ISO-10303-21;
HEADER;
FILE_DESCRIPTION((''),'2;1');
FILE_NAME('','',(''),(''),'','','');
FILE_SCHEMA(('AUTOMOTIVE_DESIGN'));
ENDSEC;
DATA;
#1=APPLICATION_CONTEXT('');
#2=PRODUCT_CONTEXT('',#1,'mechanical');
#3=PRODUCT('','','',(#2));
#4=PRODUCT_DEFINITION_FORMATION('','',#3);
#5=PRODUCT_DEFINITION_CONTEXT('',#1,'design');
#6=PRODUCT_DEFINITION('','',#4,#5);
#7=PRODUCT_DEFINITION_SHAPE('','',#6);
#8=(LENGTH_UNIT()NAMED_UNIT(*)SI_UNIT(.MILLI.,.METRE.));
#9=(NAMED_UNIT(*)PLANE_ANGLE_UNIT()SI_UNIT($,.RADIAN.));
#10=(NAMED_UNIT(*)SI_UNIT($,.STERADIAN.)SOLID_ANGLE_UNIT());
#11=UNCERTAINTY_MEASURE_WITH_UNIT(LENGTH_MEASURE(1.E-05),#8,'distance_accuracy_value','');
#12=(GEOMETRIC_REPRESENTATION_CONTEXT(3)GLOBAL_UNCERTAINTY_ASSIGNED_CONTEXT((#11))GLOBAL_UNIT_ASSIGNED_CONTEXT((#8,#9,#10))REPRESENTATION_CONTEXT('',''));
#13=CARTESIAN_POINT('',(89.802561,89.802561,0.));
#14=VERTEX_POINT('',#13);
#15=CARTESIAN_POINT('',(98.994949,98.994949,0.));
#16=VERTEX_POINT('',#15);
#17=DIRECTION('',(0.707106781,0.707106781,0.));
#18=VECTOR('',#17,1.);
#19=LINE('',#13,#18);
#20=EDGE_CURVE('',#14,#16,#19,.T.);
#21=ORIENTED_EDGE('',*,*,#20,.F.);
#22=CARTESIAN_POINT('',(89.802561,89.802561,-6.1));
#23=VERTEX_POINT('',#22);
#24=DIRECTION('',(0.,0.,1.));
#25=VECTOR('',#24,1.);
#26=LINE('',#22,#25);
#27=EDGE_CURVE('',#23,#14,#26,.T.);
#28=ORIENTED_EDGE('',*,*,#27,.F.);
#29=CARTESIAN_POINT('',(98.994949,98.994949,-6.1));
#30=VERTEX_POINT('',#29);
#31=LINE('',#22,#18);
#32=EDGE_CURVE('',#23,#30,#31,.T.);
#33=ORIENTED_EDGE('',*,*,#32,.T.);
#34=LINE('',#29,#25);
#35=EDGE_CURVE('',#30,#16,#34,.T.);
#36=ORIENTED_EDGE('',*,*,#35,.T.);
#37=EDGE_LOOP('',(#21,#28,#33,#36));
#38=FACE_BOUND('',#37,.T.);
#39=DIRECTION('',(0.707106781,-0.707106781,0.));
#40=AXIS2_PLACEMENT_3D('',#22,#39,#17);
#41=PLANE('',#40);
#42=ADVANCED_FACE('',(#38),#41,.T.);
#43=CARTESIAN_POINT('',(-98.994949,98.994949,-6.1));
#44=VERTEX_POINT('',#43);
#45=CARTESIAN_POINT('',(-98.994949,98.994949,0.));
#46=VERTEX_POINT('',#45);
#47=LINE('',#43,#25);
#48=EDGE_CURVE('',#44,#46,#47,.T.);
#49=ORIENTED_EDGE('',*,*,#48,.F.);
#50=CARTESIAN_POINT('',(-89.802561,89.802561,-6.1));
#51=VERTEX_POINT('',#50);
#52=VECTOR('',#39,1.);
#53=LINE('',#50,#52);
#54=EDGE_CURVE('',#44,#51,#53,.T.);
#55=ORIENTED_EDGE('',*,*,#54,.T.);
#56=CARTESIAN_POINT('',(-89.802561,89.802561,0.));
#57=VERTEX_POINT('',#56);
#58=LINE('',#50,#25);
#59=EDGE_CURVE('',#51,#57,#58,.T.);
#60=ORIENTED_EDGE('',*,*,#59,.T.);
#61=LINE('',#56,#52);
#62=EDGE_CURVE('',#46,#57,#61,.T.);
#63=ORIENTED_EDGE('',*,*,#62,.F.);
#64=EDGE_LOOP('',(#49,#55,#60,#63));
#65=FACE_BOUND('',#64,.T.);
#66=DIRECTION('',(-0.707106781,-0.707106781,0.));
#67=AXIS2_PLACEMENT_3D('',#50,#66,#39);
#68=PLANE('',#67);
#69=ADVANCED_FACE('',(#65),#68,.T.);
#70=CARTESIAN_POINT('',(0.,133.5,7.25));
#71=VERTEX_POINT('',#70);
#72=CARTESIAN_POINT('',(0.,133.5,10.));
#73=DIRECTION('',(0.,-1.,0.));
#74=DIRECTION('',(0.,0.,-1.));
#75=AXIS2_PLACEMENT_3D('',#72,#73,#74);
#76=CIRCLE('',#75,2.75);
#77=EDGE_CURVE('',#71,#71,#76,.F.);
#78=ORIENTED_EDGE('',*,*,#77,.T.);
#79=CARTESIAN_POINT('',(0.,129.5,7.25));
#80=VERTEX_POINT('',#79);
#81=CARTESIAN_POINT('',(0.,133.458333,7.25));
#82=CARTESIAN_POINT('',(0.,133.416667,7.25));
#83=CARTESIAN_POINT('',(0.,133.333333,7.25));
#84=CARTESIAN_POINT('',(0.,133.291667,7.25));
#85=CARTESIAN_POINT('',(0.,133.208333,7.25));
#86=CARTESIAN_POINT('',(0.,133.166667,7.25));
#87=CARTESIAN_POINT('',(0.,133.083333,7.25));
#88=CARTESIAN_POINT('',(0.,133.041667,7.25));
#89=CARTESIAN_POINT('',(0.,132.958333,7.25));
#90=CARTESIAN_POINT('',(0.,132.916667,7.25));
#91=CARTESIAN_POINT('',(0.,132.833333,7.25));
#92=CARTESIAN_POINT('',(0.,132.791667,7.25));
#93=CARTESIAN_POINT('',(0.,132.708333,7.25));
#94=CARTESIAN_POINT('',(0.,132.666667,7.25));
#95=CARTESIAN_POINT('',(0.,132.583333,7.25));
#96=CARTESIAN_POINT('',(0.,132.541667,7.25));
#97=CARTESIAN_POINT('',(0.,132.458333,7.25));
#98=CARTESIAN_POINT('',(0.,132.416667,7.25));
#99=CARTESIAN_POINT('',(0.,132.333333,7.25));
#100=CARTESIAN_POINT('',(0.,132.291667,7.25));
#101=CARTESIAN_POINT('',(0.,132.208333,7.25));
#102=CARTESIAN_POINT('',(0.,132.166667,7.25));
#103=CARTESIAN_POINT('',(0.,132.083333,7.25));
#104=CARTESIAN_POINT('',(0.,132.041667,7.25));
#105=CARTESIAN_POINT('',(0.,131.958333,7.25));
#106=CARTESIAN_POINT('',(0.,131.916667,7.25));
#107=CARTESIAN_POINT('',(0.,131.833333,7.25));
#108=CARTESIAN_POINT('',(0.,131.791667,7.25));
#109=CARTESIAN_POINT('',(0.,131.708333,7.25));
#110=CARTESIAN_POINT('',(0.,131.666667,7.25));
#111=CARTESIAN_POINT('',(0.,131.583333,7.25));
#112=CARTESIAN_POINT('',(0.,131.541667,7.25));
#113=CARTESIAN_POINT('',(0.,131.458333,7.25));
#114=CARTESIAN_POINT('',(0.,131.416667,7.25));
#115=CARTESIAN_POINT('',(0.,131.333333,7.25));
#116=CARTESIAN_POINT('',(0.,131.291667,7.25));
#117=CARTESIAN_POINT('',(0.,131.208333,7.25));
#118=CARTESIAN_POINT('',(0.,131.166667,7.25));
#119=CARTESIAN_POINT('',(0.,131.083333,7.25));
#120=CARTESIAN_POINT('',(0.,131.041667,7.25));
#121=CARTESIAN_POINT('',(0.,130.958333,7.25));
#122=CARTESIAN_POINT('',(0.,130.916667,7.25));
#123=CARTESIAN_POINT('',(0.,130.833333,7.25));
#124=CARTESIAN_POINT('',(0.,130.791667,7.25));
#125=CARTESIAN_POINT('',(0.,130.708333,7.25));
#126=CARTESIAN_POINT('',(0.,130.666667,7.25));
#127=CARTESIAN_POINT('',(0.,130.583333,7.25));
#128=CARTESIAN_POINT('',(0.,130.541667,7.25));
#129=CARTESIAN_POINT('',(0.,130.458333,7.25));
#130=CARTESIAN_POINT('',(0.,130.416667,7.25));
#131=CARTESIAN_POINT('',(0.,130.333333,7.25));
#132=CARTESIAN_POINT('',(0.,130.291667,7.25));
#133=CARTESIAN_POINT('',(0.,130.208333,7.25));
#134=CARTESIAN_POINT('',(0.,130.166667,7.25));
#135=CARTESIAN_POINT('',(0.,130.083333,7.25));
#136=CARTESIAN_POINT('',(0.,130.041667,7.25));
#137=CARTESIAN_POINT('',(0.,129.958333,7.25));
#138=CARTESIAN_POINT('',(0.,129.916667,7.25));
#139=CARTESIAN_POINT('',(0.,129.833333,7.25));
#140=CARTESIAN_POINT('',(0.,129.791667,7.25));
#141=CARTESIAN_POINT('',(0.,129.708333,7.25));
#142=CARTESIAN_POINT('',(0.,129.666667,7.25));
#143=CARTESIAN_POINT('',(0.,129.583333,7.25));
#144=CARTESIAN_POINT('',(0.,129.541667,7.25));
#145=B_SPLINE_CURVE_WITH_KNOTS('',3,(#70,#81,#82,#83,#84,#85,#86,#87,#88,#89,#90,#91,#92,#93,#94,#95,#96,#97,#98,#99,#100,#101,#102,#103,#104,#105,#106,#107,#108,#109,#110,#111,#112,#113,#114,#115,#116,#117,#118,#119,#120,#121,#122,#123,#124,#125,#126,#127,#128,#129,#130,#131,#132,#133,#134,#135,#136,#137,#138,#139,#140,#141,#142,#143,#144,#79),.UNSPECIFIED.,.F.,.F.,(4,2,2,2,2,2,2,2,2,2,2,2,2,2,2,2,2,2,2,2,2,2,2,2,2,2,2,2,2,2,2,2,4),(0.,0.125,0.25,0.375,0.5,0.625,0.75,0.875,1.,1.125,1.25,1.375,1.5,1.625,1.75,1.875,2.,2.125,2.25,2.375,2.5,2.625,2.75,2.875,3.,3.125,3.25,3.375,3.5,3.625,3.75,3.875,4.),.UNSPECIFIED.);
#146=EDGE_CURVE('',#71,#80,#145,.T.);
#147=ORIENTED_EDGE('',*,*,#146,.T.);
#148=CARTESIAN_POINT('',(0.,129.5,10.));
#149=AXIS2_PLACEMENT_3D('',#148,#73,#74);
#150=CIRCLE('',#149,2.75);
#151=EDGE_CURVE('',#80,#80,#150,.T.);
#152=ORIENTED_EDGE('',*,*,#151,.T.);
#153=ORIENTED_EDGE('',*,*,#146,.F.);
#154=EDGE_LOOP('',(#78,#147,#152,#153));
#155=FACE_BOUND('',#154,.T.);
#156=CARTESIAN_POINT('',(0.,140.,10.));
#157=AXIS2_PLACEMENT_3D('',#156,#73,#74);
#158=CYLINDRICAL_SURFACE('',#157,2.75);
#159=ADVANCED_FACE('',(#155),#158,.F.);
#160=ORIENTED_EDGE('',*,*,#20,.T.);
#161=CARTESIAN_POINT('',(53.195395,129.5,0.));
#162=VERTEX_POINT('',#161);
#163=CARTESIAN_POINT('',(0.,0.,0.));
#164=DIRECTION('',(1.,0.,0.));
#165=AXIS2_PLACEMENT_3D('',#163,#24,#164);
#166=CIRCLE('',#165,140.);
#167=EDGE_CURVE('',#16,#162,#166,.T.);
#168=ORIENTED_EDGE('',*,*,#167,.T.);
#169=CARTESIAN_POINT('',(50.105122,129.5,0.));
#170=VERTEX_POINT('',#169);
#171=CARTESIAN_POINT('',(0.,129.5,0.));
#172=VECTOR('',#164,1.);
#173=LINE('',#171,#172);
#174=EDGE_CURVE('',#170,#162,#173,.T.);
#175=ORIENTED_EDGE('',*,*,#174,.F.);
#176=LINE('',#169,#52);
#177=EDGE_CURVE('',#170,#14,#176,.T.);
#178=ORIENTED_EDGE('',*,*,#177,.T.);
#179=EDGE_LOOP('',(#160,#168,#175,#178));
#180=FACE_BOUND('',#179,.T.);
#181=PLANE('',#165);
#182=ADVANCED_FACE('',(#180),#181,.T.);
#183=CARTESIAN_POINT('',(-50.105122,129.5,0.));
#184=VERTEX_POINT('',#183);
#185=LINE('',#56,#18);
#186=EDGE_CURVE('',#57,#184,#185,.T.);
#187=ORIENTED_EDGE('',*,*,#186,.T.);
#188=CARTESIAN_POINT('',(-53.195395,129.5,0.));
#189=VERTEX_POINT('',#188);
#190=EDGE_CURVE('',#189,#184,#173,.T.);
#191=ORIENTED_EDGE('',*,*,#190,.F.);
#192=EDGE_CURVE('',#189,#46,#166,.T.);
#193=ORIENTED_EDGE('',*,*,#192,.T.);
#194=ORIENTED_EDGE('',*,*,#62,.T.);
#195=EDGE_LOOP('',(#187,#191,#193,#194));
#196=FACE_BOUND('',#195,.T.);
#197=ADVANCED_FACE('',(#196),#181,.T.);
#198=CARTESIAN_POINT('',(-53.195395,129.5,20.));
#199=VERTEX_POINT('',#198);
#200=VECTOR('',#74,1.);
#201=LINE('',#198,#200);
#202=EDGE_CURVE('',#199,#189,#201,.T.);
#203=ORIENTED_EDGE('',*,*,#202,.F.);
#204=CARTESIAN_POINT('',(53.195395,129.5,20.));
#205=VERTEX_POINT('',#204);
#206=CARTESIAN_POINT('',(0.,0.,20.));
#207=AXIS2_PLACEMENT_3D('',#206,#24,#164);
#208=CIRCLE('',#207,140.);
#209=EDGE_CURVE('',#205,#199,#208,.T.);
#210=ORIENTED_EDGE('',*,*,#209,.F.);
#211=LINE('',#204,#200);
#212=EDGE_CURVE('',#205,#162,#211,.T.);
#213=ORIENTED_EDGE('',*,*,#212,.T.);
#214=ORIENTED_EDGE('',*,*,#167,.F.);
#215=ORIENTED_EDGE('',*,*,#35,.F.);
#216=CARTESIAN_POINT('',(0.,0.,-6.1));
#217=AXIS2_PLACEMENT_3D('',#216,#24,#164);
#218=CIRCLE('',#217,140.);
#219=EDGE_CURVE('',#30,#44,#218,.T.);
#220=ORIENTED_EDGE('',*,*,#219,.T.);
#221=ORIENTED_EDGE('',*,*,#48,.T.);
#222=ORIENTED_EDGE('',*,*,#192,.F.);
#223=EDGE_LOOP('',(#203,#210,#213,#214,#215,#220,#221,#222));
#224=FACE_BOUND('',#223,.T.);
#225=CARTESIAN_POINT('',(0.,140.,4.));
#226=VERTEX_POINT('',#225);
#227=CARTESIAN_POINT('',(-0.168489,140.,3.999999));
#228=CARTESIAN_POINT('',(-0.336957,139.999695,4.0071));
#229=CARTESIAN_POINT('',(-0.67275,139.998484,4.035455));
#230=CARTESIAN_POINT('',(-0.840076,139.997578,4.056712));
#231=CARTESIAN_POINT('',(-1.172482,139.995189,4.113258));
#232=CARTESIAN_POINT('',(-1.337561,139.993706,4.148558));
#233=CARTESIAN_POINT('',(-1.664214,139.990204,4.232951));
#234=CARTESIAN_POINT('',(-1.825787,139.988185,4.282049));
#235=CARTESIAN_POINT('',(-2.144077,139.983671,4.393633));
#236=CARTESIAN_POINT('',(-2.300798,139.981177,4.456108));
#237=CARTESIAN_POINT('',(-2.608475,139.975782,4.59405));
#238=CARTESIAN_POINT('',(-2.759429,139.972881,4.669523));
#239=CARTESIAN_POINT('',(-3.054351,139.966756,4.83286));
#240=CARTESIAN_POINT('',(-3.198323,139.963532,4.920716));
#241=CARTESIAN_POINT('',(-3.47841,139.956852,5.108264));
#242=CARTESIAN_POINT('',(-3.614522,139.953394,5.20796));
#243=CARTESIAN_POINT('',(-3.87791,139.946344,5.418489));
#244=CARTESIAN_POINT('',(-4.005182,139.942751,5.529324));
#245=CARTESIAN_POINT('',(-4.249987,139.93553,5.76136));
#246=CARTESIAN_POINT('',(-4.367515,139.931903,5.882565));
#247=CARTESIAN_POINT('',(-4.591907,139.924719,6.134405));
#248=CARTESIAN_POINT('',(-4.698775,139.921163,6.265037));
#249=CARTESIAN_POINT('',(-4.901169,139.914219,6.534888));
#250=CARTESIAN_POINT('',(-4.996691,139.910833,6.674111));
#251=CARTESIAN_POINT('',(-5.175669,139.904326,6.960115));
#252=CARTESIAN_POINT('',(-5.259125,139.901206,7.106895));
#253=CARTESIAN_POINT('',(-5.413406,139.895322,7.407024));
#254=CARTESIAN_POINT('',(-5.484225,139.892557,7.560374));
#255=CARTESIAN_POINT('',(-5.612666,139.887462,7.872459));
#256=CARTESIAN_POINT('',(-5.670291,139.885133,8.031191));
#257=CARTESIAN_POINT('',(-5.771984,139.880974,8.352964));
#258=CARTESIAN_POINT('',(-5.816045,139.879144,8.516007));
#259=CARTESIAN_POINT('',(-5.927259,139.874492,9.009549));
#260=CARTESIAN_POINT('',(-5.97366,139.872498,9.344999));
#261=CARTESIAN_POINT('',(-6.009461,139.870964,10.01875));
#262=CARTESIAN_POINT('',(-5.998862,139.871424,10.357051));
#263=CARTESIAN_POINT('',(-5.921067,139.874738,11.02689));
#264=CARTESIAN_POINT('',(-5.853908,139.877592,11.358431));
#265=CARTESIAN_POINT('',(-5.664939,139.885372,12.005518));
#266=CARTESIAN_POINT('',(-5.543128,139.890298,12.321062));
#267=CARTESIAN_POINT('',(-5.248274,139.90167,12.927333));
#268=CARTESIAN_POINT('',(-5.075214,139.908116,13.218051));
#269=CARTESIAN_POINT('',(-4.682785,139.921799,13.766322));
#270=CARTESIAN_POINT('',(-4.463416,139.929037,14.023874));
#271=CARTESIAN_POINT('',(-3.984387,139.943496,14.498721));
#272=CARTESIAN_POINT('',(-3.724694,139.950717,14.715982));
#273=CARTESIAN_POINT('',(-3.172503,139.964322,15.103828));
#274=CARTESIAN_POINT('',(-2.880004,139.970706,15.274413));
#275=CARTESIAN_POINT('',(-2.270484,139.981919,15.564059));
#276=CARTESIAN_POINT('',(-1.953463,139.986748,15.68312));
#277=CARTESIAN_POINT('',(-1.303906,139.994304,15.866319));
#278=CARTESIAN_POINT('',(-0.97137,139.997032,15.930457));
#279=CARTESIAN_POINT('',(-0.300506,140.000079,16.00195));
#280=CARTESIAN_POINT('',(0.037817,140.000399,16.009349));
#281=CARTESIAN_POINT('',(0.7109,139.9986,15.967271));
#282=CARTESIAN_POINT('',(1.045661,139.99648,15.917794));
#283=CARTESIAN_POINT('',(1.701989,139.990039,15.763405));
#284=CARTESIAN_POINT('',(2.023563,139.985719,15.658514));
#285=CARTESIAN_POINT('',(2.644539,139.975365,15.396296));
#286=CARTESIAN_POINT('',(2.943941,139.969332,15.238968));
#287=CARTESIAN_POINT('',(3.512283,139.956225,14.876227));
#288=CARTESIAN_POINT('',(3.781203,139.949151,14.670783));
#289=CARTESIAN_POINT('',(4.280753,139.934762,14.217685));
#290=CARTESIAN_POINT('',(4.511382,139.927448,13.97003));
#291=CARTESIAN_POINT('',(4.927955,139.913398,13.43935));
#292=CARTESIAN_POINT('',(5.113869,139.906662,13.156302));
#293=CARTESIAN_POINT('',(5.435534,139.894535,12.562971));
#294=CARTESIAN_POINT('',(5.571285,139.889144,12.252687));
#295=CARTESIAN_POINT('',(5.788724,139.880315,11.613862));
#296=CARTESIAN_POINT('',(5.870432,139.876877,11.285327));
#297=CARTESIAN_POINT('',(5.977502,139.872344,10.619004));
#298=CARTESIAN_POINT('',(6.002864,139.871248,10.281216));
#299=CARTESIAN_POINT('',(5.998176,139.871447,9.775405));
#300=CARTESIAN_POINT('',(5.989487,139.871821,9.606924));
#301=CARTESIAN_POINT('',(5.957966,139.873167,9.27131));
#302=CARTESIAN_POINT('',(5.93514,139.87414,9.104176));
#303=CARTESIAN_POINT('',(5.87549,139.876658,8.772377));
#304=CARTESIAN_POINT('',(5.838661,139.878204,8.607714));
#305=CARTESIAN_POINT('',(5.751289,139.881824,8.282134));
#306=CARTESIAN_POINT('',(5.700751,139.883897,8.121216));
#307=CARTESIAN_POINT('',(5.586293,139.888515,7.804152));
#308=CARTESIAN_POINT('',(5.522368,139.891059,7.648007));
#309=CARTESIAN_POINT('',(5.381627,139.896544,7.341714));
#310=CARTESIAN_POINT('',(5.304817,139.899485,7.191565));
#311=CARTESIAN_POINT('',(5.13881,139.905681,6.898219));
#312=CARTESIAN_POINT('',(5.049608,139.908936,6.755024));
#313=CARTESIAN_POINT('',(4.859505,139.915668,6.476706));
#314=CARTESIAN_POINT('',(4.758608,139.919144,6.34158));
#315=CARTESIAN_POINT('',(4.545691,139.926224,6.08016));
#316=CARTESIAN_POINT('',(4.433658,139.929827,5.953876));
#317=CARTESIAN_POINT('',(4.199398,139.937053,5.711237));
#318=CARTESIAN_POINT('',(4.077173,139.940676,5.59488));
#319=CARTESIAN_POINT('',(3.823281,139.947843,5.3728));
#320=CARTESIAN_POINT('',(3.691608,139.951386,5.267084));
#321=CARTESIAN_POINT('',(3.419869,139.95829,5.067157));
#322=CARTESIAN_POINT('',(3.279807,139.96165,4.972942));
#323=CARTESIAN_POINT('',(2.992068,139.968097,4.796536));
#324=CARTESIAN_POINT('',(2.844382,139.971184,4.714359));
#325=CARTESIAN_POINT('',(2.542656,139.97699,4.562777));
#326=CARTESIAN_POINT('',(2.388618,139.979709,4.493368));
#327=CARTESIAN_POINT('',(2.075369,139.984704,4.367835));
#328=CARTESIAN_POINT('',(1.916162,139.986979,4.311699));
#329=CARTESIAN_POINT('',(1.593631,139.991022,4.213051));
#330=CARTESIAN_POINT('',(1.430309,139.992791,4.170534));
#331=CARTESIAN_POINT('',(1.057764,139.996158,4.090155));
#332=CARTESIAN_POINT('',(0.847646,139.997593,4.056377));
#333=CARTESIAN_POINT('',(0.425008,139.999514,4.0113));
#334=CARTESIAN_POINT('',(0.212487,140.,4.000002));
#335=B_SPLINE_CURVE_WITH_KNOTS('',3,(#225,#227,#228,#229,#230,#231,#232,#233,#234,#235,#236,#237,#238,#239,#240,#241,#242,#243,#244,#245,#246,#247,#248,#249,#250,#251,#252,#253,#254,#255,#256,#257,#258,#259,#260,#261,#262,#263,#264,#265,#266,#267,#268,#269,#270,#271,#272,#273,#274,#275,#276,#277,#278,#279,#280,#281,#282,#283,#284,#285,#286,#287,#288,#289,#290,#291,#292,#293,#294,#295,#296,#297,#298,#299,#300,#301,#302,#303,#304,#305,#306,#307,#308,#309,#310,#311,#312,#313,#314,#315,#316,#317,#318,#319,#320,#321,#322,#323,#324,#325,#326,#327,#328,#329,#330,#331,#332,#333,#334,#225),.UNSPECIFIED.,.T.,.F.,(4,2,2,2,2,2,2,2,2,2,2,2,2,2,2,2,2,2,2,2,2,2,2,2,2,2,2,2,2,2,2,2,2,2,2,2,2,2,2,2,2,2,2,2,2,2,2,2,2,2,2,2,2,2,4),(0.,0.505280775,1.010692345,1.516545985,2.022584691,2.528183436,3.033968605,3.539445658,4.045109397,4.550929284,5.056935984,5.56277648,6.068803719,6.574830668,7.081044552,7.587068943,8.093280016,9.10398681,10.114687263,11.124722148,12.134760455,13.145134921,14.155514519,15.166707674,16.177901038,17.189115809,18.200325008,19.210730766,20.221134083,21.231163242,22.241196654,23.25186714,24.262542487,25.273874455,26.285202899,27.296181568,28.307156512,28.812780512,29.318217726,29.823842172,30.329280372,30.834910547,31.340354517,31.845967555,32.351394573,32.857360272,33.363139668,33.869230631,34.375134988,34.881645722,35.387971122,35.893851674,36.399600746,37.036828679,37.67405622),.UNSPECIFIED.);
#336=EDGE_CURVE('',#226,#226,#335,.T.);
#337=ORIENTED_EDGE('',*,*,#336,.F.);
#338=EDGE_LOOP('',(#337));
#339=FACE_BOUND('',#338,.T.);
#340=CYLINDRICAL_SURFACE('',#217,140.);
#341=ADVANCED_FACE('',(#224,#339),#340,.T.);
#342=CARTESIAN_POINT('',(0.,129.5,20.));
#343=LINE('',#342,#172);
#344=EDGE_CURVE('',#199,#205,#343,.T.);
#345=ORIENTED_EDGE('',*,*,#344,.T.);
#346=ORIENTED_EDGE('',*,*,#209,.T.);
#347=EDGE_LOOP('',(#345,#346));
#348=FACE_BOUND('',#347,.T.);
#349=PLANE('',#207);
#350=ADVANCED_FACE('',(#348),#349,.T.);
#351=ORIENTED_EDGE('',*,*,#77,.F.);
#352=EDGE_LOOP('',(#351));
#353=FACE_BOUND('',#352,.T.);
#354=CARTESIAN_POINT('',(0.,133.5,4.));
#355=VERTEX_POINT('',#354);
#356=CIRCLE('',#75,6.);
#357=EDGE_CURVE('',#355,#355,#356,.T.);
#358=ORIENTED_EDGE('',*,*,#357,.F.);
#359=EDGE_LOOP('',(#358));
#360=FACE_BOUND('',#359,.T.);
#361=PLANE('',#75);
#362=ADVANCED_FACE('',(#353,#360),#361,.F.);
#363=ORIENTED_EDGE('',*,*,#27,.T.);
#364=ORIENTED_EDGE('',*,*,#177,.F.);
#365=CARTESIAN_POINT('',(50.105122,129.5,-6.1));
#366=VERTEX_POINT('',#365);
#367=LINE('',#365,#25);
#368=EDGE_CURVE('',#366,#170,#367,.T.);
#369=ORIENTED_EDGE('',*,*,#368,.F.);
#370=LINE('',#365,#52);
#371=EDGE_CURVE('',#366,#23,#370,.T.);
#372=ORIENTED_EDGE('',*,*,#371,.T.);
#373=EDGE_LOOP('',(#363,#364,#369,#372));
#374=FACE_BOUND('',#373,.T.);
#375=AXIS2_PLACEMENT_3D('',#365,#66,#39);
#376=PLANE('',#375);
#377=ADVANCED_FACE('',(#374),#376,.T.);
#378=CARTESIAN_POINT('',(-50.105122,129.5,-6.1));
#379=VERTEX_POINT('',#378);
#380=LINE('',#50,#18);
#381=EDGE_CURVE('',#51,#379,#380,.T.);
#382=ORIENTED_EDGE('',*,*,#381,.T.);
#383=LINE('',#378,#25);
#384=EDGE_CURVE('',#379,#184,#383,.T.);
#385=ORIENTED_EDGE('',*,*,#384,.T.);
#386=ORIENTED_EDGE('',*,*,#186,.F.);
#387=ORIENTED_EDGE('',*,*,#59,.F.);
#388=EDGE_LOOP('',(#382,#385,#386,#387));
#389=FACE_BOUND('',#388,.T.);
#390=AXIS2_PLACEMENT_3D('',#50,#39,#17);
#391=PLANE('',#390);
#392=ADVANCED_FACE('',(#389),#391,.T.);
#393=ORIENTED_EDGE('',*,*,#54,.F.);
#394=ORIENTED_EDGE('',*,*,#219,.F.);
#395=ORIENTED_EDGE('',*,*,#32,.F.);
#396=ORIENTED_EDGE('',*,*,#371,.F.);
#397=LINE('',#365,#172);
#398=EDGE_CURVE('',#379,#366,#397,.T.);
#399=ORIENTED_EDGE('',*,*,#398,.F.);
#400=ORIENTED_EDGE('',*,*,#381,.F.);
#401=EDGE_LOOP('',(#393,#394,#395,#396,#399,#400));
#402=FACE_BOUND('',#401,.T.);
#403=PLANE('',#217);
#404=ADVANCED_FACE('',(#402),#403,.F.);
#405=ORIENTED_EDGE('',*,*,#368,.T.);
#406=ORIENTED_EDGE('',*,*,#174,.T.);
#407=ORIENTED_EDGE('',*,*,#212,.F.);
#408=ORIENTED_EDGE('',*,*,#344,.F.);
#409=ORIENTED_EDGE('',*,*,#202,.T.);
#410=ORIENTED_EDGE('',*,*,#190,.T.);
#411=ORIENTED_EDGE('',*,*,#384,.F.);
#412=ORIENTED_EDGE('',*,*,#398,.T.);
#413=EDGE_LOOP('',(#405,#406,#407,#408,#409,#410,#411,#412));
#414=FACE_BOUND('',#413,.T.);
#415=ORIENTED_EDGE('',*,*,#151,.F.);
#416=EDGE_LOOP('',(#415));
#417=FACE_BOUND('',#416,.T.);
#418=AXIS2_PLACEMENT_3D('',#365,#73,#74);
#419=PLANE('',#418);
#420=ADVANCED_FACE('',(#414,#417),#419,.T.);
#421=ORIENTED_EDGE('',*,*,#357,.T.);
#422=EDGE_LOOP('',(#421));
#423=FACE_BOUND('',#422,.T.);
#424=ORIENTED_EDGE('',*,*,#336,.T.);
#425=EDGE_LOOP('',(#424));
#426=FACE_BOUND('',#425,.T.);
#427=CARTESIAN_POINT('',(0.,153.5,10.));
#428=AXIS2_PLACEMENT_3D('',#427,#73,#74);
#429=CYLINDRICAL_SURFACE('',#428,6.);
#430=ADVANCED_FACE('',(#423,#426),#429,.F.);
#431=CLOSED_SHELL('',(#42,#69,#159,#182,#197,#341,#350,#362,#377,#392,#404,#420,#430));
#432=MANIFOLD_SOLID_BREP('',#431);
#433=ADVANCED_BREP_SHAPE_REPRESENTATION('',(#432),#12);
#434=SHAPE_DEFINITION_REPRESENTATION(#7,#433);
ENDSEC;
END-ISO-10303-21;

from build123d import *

# Parameters (mm, degrees)
BOSS_EXTRUDE4_DEPTH = 6.1
BOSS_EXTRUDE5_START = 20
BOSS_EXTRUDE5_DEPTH = 20
SKETCH7_R           = 2.75
CUT_EXTRUDE1_DEPTH  = 109.516757445
SKETCH8_R           = 6
CUT_EXTRUDE2_DEPTH  = 20


with BuildPart() as part:
    # Sketch5 → Boss-Extrude4 (new body)
    with BuildSketch(Plane.XY):
        with BuildLine():
            Line((-89.802561211, 89.802561211), (-50.105122421, 129.5))
            Line((-50.105122421, 129.5), (50.105122421, 129.5))
            Line((50.105122421, 129.5), (89.802561211, 89.802561211))
            Line((89.802561211, 89.802561211), (98.994949366, 98.994949366))
            ThreePointArc((98.994949366, 98.994949366), (0, 140), (-98.994949366, 98.994949366))
            Line((-98.994949366, 98.994949366), (-89.802561211, 89.802561211))
        make_face()
    extrude(amount=-BOSS_EXTRUDE4_DEPTH)

    # Sketch6 → Boss-Extrude5 (add)
    with BuildSketch(Plane.XY.offset(BOSS_EXTRUDE5_START)):
        with BuildLine():
            Line((0, 129.5), (-53.195394538, 129.5))
            ThreePointArc((-53.195394538, 129.5), (0, 140), (53.195394538, 129.5))
            Line((53.195394538, 129.5), (0, 129.5))
        make_face()
    extrude(amount=-BOSS_EXTRUDE5_DEPTH)

    # Sketch7 → Cut-Extrude1 (cut, through all)
    with BuildSketch(Plane.XZ.offset(-129.5)):
        with Locations(Location((0, 10, 0), (0, 0, 270))):
            Circle(SKETCH7_R)
    extrude(amount=-CUT_EXTRUDE1_DEPTH, mode=Mode.SUBTRACT)

    # Sketch8 → Cut-Extrude2 (cut)
    with BuildSketch(Plane(origin=(0, 133.5, 0), x_dir=(-1, 0, 0), z_dir=(0, -1, 0))):
        with Locations(Location((0, -10, 0), (0, 0, 90))):
            Circle(SKETCH8_R)
    extrude(amount=-CUT_EXTRUDE2_DEPTH, mode=Mode.SUBTRACT)


solid = part.part
